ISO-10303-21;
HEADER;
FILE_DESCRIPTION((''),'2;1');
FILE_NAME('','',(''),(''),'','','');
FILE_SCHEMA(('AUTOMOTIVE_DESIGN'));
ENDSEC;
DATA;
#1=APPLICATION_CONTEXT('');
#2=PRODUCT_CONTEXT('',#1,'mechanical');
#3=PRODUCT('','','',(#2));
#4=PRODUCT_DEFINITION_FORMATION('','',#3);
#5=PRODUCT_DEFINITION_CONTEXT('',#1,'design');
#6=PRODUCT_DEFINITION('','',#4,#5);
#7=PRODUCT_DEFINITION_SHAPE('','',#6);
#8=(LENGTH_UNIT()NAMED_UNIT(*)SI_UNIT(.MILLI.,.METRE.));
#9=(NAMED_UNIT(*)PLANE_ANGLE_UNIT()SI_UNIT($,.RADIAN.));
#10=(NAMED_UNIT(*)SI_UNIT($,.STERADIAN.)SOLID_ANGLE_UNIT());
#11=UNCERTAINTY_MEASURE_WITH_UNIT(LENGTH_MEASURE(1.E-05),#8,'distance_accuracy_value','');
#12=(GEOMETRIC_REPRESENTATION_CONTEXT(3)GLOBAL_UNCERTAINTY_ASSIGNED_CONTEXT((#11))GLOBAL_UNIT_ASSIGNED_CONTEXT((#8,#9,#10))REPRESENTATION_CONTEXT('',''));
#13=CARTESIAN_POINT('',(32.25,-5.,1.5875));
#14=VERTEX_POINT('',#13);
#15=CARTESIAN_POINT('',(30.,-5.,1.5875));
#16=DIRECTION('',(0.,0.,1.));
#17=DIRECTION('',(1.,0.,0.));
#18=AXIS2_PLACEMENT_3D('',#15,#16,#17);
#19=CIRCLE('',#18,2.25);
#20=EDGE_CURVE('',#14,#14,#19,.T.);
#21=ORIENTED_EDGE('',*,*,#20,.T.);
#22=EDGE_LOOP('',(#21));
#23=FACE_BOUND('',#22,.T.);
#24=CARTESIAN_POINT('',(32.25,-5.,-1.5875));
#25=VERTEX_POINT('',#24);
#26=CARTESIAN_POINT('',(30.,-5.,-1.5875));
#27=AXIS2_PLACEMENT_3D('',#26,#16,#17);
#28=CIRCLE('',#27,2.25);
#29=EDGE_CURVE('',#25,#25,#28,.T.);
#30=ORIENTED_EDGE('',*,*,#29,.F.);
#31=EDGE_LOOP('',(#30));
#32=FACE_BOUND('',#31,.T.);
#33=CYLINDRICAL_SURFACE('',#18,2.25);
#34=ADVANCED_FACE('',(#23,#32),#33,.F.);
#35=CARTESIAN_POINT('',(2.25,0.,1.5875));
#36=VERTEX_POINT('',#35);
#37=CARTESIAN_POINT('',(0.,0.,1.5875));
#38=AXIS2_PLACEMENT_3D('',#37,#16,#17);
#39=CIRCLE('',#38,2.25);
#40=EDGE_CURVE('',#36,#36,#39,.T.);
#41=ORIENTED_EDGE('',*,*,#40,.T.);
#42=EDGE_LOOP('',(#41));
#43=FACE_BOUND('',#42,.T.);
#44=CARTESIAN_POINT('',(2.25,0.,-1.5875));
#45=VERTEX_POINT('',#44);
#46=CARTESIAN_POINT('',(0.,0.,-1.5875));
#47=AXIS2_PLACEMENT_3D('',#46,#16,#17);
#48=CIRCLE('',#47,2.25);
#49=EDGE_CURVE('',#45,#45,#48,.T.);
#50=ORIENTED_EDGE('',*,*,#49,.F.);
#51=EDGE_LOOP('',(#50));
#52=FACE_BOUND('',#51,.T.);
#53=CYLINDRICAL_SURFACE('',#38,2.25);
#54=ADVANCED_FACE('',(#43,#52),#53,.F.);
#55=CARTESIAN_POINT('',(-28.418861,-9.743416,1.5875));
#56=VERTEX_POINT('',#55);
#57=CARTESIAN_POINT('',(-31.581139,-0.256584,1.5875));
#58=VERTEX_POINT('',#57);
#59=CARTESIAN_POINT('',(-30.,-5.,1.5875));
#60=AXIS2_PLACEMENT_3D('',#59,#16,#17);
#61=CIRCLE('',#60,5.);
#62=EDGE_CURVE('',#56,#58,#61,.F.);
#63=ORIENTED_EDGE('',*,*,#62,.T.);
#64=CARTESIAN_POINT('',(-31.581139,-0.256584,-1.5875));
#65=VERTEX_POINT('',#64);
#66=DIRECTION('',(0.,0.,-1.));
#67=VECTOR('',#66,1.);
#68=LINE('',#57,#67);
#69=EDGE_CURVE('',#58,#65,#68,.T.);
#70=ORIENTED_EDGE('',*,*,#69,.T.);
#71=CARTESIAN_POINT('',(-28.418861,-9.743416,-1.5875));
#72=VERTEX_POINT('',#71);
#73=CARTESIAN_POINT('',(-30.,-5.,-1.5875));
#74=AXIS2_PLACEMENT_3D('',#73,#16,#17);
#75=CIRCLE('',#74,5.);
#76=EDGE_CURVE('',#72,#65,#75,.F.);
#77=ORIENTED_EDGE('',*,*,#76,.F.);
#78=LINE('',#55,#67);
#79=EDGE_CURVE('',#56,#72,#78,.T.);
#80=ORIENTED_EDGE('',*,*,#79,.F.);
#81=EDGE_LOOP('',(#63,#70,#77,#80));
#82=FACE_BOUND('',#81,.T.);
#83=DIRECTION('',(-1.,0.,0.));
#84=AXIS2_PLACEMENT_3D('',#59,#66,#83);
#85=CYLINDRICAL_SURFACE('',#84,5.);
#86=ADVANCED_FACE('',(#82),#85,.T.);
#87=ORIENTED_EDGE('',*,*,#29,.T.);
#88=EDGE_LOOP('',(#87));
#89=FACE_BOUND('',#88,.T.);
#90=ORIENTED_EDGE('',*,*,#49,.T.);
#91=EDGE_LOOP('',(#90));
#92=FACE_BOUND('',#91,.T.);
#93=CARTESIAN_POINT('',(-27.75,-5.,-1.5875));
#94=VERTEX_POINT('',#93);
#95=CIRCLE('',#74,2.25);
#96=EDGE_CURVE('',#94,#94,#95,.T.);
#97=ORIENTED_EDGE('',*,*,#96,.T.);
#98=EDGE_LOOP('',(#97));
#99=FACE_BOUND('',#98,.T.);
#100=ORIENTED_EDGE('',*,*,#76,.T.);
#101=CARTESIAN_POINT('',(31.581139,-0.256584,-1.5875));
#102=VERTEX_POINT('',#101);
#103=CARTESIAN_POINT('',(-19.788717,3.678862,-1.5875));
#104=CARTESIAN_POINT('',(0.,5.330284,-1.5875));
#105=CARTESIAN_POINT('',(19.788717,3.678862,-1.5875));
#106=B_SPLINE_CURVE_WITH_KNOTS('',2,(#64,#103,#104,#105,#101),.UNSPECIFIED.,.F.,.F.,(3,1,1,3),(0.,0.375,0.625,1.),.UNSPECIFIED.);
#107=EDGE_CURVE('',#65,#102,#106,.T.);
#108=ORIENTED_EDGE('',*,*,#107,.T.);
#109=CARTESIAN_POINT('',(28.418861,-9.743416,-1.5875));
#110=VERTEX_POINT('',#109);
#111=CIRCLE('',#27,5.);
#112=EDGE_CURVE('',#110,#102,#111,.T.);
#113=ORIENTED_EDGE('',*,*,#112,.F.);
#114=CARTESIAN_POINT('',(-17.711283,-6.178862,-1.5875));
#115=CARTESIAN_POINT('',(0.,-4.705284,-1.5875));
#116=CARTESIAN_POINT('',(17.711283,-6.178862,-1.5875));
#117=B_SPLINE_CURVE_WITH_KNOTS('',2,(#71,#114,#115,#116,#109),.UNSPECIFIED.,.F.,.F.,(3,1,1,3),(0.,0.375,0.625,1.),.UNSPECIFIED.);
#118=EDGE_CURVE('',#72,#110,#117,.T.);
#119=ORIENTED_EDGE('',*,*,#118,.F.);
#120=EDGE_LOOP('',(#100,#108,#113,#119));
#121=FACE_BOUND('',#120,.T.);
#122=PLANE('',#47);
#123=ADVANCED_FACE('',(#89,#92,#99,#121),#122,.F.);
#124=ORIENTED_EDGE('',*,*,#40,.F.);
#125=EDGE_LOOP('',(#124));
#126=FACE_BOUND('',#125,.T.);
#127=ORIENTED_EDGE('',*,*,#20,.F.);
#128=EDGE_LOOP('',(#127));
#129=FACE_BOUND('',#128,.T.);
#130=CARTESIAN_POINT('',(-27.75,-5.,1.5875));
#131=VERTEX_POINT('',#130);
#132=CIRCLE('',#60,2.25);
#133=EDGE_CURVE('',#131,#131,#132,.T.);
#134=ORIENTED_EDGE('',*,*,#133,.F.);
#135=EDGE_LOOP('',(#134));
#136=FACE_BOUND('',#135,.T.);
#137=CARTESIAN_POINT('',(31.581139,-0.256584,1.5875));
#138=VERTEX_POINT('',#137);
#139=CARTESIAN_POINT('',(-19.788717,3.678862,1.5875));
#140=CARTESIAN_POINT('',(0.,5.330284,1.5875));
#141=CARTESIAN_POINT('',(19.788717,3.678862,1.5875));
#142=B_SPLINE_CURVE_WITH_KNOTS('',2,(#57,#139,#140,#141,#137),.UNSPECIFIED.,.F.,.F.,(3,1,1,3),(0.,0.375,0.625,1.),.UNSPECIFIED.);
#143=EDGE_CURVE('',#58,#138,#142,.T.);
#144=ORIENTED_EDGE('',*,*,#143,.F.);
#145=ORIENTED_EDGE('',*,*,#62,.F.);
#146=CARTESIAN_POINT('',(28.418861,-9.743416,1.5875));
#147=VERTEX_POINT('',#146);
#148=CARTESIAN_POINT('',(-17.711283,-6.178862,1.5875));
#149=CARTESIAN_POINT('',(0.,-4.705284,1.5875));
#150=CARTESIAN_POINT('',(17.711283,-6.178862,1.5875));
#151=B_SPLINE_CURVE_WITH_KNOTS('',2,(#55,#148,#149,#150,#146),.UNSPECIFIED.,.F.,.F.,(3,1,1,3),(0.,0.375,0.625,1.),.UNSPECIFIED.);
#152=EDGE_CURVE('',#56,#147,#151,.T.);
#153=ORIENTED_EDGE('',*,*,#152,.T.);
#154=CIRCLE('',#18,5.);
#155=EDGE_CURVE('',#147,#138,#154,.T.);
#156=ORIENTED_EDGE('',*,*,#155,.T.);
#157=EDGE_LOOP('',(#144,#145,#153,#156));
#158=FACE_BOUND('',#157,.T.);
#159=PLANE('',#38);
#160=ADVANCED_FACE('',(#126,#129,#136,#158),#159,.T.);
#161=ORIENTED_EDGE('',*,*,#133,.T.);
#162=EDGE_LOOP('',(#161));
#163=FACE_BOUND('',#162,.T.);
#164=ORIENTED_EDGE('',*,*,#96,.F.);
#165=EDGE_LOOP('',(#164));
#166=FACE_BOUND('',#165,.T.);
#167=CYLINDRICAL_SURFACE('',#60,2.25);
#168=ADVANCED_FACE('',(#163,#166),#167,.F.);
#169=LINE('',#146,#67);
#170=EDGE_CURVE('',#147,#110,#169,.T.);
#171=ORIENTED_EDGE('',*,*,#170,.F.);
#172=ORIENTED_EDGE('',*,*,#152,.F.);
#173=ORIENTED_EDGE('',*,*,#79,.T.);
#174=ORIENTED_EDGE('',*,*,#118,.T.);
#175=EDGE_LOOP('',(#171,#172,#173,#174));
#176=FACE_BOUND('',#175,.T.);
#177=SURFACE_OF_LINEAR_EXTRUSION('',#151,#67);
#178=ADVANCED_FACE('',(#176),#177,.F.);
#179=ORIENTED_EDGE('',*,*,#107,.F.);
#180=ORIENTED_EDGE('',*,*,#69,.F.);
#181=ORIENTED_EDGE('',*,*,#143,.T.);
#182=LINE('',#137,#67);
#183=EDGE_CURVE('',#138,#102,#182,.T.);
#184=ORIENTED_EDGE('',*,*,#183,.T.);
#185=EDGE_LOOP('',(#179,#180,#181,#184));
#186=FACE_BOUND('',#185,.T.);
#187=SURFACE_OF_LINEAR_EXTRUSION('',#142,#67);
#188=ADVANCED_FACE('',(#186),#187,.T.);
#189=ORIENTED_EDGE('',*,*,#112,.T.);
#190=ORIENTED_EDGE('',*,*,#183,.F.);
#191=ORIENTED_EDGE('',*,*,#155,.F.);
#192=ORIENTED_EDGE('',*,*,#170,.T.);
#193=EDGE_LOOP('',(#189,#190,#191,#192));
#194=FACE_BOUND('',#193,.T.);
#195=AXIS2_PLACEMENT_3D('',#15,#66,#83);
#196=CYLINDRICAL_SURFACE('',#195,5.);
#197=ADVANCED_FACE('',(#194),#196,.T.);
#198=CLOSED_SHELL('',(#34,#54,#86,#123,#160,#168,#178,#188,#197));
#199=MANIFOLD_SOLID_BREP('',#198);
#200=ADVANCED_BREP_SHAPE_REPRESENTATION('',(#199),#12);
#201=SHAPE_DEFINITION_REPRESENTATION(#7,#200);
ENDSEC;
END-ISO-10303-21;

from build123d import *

# Parameters (mm, degrees)
BOSS_EXTRUDE1_DEPTH  = 1.5875
M4_CLEARANCE_HOLE1_D = 4.5


with BuildPart() as part:
    # Sketch1 → Boss-Extrude1 (new body, symmetric)
    with BuildSketch(Plane.XY):
        with BuildLine():
            ThreePointArc((-28.41886117, -9.74341649), (-34.74341649, -6.58113883), (-31.58113883, -0.25658351))
            add(Edge.make_bspline(
                [(-31.58113883, -0.25658351), (-19.788717071, 3.678862016), (0, 5.330284496), (19.788717071, 3.678862016), (31.58113883, -0.25658351)],
                knots=[0, 0, 0, 0.375, 0.625, 1, 1, 1], degree=2))
            ThreePointArc((31.58113883, -0.25658351), (34.74341649, -6.58113883), (28.41886117, -9.74341649))
            add(Edge.make_bspline(
                [(-28.41886117, -9.74341649), (-17.711282929, -6.178862016), (0, -4.705284496), (17.711282929, -6.178862016), (28.41886117, -9.74341649)],
                knots=[0, 0, 0, 0.375, 0.625, 1, 1, 1], degree=2))
        make_face()
    extrude(amount=BOSS_EXTRUDE1_DEPTH, both=True)

    # M4 Clearance Hole1 (through all)
    with Locations(Plane.XY.offset(1.5875)):
        with Locations((-30, -5), (30, -5), (0, 0)):
            Hole(M4_CLEARANCE_HOLE1_D / 2)


solid = part.part
